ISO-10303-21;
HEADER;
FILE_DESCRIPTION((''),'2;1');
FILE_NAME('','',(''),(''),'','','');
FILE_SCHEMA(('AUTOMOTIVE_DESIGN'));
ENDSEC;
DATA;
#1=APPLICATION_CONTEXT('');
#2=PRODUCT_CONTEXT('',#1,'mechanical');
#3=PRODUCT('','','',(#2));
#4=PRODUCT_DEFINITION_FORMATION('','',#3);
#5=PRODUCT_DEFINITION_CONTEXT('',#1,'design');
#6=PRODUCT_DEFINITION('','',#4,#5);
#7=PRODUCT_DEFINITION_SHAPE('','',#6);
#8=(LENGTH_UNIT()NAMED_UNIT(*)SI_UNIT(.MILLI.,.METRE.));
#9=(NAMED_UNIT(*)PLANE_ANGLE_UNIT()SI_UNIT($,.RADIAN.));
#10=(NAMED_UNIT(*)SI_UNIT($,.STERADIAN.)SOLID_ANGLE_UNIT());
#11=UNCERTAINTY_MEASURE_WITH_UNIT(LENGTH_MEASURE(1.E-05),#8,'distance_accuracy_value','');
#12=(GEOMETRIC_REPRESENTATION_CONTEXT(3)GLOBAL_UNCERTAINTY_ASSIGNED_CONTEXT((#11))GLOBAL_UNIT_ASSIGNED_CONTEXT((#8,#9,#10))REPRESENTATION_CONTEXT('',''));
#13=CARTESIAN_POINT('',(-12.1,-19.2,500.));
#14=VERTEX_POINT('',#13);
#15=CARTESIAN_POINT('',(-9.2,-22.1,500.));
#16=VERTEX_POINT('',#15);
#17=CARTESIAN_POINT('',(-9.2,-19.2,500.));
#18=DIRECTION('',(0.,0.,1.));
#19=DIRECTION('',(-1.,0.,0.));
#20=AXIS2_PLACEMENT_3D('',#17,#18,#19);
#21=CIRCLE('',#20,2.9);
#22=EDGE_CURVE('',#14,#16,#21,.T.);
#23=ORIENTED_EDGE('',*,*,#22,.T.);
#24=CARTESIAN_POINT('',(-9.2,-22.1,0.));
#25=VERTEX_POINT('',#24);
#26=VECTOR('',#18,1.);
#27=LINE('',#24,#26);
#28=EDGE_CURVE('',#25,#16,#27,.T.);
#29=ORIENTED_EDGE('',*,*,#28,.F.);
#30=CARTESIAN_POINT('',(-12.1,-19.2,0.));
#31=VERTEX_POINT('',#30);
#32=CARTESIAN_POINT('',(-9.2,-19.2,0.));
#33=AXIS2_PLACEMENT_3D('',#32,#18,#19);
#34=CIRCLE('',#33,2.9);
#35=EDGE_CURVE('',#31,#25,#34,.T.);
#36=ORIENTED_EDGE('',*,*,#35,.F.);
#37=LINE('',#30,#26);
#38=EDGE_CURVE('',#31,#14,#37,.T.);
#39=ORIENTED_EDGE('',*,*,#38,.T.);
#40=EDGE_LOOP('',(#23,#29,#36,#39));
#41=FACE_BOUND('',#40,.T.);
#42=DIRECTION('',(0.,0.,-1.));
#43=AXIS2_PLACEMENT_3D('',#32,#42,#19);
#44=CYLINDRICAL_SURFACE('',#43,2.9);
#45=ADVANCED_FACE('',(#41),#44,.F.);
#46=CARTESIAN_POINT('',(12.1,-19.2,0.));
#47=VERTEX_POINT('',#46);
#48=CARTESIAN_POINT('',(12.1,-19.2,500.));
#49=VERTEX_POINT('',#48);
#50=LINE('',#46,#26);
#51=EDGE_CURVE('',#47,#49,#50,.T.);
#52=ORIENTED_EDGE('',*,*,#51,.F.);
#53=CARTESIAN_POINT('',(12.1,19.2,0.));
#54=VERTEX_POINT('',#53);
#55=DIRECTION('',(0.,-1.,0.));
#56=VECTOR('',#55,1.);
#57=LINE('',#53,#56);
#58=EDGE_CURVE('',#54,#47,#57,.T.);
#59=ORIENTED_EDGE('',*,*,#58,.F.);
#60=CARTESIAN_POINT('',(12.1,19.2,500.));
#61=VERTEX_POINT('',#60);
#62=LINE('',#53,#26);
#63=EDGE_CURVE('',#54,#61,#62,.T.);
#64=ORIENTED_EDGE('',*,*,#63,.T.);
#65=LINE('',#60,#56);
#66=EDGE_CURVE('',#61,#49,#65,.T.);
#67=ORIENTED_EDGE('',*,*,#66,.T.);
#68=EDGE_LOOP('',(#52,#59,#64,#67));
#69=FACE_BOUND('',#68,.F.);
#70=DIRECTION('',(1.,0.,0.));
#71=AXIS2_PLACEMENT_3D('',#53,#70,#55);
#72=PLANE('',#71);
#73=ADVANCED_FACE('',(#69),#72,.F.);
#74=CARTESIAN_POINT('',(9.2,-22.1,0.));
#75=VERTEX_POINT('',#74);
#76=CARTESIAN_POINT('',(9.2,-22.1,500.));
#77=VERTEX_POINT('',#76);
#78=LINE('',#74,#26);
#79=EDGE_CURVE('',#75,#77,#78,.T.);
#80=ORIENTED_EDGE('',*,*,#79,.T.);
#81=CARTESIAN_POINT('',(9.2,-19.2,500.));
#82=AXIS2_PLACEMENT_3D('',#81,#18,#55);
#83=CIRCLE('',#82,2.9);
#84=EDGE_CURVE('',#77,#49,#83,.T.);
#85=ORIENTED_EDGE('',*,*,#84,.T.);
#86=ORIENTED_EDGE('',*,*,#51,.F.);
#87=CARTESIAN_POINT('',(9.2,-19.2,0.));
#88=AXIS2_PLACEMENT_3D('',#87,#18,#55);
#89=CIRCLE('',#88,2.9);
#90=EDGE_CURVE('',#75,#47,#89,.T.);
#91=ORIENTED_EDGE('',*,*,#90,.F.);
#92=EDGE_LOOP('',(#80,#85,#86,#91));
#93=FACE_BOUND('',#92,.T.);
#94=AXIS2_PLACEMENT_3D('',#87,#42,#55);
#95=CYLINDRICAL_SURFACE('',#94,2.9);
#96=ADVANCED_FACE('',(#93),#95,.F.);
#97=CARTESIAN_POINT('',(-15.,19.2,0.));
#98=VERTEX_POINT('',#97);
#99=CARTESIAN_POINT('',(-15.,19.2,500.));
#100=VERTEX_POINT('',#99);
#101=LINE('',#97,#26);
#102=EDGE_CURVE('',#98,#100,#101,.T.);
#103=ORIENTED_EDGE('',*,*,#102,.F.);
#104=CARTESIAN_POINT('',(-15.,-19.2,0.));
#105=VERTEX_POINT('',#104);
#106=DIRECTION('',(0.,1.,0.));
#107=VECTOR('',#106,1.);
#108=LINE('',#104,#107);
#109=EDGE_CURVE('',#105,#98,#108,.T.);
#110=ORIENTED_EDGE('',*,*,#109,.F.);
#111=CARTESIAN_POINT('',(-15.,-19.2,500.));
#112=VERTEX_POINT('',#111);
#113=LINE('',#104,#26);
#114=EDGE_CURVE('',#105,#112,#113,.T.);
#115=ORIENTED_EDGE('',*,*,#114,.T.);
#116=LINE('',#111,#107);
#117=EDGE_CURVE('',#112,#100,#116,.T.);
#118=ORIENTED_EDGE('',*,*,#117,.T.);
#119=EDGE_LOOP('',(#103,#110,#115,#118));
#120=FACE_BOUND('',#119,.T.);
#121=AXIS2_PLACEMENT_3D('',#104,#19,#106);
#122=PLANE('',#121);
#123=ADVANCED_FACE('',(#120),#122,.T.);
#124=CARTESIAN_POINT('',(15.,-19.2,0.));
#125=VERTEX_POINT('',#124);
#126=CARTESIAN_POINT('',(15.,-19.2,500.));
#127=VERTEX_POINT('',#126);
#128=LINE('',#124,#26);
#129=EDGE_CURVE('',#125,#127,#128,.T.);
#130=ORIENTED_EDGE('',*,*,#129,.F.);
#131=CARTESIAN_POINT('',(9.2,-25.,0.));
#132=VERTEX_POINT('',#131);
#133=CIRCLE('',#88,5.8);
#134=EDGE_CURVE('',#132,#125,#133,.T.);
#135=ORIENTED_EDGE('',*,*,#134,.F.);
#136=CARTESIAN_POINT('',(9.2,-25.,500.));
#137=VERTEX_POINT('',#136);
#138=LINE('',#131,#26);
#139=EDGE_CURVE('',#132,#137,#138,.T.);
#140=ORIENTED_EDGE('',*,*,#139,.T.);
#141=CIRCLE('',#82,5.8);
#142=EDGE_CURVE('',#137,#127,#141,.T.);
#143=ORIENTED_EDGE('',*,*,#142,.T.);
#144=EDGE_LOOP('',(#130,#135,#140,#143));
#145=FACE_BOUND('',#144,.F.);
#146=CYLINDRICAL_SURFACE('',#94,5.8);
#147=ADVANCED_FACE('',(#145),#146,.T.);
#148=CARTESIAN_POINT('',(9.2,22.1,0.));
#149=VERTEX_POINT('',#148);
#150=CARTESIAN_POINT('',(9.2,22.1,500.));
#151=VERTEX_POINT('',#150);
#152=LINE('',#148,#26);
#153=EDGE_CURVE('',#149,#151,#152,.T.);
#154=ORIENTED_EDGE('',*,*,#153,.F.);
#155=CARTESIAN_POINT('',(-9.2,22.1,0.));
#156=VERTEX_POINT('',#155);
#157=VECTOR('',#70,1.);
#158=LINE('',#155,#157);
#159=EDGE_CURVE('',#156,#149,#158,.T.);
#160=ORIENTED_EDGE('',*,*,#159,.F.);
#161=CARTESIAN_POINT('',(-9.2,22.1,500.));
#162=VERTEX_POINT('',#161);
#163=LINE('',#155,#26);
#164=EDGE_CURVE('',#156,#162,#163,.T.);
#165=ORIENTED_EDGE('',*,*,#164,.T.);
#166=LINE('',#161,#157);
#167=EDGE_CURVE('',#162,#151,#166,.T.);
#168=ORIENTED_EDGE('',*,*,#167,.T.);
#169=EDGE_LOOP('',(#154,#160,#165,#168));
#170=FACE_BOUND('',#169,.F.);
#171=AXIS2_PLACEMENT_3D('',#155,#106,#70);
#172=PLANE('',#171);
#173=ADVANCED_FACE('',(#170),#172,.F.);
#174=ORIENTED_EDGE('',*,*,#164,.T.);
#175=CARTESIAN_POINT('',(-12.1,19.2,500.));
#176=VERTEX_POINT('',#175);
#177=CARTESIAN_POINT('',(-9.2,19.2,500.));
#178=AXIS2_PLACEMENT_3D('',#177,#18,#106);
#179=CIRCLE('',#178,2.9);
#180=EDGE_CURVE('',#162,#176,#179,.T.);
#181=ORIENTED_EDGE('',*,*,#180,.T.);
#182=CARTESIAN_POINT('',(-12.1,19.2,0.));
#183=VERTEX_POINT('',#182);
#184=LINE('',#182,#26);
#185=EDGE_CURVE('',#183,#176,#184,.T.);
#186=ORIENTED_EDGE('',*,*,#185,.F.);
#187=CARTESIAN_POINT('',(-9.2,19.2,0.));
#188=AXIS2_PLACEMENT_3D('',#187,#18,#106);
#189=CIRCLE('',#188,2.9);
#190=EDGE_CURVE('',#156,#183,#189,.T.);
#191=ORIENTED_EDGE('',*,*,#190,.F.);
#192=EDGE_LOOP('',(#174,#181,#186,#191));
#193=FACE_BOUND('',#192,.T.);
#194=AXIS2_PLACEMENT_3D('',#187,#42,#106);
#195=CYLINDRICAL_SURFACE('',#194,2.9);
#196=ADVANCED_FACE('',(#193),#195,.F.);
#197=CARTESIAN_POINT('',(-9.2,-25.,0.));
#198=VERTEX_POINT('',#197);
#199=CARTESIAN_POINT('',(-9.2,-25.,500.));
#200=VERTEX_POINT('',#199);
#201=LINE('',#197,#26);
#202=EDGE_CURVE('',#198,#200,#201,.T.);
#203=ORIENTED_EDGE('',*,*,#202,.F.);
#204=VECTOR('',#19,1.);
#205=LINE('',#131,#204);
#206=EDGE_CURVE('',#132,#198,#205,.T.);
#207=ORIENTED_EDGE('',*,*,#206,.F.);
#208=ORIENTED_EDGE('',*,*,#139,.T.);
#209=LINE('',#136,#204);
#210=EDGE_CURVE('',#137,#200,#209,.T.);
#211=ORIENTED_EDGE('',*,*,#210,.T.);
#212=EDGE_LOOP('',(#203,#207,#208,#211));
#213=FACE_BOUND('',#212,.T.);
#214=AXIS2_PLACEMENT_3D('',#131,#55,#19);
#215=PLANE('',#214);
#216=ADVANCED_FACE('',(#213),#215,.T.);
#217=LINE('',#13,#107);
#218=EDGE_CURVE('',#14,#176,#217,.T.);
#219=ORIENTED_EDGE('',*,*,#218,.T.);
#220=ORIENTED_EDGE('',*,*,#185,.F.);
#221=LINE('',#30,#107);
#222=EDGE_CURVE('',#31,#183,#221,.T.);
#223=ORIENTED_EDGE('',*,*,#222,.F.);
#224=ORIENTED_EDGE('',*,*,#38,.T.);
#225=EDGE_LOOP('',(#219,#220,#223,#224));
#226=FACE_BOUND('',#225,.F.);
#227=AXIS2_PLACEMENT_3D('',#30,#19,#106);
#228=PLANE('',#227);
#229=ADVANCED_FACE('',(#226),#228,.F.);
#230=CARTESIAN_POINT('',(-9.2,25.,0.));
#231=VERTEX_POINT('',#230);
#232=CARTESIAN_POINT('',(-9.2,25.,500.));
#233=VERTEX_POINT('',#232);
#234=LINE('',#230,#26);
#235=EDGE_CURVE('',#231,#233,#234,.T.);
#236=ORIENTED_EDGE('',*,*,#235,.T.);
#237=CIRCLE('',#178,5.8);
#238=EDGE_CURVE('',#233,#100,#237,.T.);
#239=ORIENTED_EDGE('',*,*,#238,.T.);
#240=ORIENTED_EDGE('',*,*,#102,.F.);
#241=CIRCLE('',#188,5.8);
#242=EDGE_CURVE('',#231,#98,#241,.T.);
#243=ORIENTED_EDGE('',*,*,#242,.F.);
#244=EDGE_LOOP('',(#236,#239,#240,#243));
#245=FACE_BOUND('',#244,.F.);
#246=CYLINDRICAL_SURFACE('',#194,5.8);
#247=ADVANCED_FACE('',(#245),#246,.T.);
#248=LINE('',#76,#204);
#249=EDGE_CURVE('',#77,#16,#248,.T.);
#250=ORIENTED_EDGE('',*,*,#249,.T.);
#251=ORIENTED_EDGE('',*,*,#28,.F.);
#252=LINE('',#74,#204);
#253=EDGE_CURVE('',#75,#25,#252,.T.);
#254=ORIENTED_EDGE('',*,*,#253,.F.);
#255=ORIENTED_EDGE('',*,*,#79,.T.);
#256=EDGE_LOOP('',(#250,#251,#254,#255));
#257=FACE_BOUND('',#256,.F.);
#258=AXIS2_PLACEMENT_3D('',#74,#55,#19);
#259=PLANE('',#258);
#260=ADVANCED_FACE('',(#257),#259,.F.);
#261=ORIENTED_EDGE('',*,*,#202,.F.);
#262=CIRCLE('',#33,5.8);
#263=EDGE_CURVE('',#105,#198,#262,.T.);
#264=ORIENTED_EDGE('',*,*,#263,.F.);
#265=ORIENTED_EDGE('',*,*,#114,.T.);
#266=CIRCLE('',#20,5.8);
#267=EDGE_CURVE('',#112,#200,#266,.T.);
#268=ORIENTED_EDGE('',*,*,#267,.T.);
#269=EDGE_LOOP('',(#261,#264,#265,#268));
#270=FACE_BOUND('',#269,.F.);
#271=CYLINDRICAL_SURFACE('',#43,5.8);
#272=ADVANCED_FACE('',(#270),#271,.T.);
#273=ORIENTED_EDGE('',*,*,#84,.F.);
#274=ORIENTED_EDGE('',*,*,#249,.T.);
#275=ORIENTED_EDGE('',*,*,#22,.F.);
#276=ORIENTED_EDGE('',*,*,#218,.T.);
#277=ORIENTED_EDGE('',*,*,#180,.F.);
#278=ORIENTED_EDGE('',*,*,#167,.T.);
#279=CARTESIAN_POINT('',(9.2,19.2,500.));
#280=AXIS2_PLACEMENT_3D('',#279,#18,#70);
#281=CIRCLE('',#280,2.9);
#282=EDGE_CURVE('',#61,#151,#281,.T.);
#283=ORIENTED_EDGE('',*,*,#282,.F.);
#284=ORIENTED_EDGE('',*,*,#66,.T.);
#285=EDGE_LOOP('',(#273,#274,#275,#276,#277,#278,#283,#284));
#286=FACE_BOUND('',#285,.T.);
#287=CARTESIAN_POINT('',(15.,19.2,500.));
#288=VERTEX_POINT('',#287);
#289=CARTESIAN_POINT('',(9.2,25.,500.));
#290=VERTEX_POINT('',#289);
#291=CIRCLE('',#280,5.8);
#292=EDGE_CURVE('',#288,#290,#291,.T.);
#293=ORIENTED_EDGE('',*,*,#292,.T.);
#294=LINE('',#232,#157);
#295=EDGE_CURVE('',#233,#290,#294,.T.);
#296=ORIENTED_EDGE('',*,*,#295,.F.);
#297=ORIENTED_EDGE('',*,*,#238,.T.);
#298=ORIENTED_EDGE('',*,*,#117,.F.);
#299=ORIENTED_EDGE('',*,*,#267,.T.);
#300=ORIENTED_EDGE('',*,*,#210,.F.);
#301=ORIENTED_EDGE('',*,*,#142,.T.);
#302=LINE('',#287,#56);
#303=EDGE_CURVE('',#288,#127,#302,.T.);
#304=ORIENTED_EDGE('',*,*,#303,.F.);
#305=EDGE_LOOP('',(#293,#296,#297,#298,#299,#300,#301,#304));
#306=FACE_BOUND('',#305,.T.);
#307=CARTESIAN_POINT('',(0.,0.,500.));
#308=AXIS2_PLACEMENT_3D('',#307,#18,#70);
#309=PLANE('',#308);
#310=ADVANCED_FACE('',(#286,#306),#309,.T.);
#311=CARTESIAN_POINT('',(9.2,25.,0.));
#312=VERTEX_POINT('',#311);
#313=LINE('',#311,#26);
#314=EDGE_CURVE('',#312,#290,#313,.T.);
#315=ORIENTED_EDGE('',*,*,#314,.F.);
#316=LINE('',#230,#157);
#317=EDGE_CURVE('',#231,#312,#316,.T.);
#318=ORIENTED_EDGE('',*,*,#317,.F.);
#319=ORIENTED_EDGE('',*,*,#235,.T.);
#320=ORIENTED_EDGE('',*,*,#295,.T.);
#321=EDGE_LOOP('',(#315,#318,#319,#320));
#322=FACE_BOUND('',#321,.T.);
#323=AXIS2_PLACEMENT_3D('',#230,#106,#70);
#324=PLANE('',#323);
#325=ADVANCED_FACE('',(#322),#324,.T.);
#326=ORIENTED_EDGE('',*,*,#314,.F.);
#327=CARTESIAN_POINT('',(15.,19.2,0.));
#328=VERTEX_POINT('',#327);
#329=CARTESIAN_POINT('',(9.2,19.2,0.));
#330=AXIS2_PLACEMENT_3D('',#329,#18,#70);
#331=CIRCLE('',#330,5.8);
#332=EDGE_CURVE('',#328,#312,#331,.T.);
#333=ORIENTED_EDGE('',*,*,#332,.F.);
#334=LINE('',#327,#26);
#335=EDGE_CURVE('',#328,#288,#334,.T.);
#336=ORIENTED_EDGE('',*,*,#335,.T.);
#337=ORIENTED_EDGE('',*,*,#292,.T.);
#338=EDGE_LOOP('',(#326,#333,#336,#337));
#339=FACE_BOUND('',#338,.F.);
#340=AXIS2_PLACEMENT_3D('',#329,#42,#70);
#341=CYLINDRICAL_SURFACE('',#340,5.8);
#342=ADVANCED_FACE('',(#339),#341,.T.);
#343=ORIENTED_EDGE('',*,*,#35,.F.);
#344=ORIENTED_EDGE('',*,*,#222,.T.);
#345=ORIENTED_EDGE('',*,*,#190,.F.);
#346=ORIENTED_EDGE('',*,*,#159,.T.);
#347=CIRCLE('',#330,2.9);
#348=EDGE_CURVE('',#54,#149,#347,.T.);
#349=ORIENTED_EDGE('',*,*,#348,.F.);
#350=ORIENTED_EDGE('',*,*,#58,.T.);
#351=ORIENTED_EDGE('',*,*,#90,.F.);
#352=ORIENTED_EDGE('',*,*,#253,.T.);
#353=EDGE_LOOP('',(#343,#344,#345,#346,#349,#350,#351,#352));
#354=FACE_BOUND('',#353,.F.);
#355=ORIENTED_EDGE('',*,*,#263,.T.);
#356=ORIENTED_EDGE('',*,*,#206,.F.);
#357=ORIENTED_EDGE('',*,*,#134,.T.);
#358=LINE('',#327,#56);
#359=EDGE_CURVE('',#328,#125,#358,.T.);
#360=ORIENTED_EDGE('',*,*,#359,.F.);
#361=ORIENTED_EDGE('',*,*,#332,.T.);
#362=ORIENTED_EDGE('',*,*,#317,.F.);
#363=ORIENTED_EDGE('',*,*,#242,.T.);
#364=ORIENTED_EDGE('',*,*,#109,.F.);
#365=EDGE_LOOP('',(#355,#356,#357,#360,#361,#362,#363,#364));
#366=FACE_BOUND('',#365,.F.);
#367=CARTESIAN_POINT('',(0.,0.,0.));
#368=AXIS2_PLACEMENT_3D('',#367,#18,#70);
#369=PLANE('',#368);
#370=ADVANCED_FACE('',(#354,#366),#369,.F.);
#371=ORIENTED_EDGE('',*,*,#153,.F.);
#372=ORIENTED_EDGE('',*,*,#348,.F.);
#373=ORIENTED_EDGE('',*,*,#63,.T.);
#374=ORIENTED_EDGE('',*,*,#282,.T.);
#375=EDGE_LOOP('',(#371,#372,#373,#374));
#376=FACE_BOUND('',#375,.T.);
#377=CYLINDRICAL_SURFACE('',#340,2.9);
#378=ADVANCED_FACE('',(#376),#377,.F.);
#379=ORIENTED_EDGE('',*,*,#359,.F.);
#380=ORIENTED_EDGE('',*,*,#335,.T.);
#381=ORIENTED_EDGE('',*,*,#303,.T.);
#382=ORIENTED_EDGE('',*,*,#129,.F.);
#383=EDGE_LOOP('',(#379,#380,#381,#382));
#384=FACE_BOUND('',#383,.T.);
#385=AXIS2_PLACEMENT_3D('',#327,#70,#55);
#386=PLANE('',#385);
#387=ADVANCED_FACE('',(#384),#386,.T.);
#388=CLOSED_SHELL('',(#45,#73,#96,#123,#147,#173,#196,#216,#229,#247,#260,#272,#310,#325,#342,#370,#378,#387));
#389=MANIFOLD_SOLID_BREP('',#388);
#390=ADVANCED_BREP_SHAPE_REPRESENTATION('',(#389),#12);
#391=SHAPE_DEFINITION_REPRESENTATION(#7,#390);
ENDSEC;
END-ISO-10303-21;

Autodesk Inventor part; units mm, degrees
ref_plane "YZ Plane" through (0, 0, 0) normal (1, 0, 0) x (0, 1, 0)
ref_plane "Start plane" through (0, 0, 0) normal (0, 0, 1) x (1, 0, 0)
ref_plane "End plane" through (0, 0, 500) normal (0, 0, 1) x (1, 0, 0)
sketch "Sketch" plane through (0, 0, 0) normal (0, 0, 1) x (1, 0, 0)
  line L0 (-9.2, 25) -> (9.2, 25)
  line L1 (15, 19.2) -> (15, -19.2)
  line L2 (9.2, -25) -> (-9.2, -25)
  line L3 (-15, -19.2) -> (-15, 19.2)
  arc A0 (-9.2, 25) -> (-15, 19.2) centre (-9.2, 19.2) ccw
  arc A1 (15, 19.2) -> (9.2, 25) centre (9.2, 19.2) ccw
  arc A2 (9.2, -25) -> (15, -19.2) centre (9.2, -19.2) ccw
  arc A3 (-15, -19.2) -> (-9.2, -25) centre (-9.2, -19.2) ccw
  line L4 (-22.6817, 0) -> (22.6817, 0) construction
  line L5 (0, -36.6817) -> (0, 36.6817) construction
  arc A4 (-9.2, 22.1) -> (-12.1, 19.2) centre (-9.2, 19.2) ccw
  line L6 (-9.2, 22.1) -> (9.2, 22.1)
  arc A5 (12.1, 19.2) -> (9.2, 22.1) centre (9.2, 19.2) ccw
  line L7 (12.1, 19.2) -> (12.1, -19.2)
  arc A6 (9.2, -22.1) -> (12.1, -19.2) centre (9.2, -19.2) ccw
  line L8 (9.2, -22.1) -> (-9.2, -22.1)
  arc A7 (-12.1, -19.2) -> (-9.2, -22.1) centre (-9.2, -19.2) ccw
  line L9 (-12.1, -19.2) -> (-12.1, 19.2)
  point P0 (-15, 25)
  point P1 (15, -25)
  point P2 (15, 25)
  dimension "b" = 30
  dimension "ParH" = 50
  dimension "msp_r" = 5.8
  dimension "d8" = 15
  dimension "d9" = 25
  dimension "d10" = 2.9
extrude "Body" add sketch "Sketch" along normal up to surface (500 mm away) from surface at 0
sketch "Sketch2" plane through (0, 0, 0) normal (0, 0, 1) x (1, 0, 0)
  line L0 (0, 0) -> (10, 0)
ref_plane "Work Plane3" through (0, 0, 0) normal (0, -1, 0) x (1, 0, 0)
sketch "Sketch3" plane through (0, 0, 0) normal (0, -1, 0) x (1, 0, 0)
  line L0 (-2, 0) -> (12, 0)
  line L1 (-2, 500) -> (12, 500)
  dimension "d14" = 500
equation "\"msp_r\" = 2 * ParT"
equation "\"d8\" = 0.5 * b"
equation "\"d9\" = 0.5 * ParH"
equation "\"d10\" = ParT"
equation "\"G_OFFSET_START\" = 0"
equation "\"G_OFFSET_END\" = 0"
equation "\"G_L\" = d14"
equation "\"ParT\" = 2.9"
properties part number "DIN 59 410 - 50x30x2.9-500" material "Steel, Mild, Welded"
